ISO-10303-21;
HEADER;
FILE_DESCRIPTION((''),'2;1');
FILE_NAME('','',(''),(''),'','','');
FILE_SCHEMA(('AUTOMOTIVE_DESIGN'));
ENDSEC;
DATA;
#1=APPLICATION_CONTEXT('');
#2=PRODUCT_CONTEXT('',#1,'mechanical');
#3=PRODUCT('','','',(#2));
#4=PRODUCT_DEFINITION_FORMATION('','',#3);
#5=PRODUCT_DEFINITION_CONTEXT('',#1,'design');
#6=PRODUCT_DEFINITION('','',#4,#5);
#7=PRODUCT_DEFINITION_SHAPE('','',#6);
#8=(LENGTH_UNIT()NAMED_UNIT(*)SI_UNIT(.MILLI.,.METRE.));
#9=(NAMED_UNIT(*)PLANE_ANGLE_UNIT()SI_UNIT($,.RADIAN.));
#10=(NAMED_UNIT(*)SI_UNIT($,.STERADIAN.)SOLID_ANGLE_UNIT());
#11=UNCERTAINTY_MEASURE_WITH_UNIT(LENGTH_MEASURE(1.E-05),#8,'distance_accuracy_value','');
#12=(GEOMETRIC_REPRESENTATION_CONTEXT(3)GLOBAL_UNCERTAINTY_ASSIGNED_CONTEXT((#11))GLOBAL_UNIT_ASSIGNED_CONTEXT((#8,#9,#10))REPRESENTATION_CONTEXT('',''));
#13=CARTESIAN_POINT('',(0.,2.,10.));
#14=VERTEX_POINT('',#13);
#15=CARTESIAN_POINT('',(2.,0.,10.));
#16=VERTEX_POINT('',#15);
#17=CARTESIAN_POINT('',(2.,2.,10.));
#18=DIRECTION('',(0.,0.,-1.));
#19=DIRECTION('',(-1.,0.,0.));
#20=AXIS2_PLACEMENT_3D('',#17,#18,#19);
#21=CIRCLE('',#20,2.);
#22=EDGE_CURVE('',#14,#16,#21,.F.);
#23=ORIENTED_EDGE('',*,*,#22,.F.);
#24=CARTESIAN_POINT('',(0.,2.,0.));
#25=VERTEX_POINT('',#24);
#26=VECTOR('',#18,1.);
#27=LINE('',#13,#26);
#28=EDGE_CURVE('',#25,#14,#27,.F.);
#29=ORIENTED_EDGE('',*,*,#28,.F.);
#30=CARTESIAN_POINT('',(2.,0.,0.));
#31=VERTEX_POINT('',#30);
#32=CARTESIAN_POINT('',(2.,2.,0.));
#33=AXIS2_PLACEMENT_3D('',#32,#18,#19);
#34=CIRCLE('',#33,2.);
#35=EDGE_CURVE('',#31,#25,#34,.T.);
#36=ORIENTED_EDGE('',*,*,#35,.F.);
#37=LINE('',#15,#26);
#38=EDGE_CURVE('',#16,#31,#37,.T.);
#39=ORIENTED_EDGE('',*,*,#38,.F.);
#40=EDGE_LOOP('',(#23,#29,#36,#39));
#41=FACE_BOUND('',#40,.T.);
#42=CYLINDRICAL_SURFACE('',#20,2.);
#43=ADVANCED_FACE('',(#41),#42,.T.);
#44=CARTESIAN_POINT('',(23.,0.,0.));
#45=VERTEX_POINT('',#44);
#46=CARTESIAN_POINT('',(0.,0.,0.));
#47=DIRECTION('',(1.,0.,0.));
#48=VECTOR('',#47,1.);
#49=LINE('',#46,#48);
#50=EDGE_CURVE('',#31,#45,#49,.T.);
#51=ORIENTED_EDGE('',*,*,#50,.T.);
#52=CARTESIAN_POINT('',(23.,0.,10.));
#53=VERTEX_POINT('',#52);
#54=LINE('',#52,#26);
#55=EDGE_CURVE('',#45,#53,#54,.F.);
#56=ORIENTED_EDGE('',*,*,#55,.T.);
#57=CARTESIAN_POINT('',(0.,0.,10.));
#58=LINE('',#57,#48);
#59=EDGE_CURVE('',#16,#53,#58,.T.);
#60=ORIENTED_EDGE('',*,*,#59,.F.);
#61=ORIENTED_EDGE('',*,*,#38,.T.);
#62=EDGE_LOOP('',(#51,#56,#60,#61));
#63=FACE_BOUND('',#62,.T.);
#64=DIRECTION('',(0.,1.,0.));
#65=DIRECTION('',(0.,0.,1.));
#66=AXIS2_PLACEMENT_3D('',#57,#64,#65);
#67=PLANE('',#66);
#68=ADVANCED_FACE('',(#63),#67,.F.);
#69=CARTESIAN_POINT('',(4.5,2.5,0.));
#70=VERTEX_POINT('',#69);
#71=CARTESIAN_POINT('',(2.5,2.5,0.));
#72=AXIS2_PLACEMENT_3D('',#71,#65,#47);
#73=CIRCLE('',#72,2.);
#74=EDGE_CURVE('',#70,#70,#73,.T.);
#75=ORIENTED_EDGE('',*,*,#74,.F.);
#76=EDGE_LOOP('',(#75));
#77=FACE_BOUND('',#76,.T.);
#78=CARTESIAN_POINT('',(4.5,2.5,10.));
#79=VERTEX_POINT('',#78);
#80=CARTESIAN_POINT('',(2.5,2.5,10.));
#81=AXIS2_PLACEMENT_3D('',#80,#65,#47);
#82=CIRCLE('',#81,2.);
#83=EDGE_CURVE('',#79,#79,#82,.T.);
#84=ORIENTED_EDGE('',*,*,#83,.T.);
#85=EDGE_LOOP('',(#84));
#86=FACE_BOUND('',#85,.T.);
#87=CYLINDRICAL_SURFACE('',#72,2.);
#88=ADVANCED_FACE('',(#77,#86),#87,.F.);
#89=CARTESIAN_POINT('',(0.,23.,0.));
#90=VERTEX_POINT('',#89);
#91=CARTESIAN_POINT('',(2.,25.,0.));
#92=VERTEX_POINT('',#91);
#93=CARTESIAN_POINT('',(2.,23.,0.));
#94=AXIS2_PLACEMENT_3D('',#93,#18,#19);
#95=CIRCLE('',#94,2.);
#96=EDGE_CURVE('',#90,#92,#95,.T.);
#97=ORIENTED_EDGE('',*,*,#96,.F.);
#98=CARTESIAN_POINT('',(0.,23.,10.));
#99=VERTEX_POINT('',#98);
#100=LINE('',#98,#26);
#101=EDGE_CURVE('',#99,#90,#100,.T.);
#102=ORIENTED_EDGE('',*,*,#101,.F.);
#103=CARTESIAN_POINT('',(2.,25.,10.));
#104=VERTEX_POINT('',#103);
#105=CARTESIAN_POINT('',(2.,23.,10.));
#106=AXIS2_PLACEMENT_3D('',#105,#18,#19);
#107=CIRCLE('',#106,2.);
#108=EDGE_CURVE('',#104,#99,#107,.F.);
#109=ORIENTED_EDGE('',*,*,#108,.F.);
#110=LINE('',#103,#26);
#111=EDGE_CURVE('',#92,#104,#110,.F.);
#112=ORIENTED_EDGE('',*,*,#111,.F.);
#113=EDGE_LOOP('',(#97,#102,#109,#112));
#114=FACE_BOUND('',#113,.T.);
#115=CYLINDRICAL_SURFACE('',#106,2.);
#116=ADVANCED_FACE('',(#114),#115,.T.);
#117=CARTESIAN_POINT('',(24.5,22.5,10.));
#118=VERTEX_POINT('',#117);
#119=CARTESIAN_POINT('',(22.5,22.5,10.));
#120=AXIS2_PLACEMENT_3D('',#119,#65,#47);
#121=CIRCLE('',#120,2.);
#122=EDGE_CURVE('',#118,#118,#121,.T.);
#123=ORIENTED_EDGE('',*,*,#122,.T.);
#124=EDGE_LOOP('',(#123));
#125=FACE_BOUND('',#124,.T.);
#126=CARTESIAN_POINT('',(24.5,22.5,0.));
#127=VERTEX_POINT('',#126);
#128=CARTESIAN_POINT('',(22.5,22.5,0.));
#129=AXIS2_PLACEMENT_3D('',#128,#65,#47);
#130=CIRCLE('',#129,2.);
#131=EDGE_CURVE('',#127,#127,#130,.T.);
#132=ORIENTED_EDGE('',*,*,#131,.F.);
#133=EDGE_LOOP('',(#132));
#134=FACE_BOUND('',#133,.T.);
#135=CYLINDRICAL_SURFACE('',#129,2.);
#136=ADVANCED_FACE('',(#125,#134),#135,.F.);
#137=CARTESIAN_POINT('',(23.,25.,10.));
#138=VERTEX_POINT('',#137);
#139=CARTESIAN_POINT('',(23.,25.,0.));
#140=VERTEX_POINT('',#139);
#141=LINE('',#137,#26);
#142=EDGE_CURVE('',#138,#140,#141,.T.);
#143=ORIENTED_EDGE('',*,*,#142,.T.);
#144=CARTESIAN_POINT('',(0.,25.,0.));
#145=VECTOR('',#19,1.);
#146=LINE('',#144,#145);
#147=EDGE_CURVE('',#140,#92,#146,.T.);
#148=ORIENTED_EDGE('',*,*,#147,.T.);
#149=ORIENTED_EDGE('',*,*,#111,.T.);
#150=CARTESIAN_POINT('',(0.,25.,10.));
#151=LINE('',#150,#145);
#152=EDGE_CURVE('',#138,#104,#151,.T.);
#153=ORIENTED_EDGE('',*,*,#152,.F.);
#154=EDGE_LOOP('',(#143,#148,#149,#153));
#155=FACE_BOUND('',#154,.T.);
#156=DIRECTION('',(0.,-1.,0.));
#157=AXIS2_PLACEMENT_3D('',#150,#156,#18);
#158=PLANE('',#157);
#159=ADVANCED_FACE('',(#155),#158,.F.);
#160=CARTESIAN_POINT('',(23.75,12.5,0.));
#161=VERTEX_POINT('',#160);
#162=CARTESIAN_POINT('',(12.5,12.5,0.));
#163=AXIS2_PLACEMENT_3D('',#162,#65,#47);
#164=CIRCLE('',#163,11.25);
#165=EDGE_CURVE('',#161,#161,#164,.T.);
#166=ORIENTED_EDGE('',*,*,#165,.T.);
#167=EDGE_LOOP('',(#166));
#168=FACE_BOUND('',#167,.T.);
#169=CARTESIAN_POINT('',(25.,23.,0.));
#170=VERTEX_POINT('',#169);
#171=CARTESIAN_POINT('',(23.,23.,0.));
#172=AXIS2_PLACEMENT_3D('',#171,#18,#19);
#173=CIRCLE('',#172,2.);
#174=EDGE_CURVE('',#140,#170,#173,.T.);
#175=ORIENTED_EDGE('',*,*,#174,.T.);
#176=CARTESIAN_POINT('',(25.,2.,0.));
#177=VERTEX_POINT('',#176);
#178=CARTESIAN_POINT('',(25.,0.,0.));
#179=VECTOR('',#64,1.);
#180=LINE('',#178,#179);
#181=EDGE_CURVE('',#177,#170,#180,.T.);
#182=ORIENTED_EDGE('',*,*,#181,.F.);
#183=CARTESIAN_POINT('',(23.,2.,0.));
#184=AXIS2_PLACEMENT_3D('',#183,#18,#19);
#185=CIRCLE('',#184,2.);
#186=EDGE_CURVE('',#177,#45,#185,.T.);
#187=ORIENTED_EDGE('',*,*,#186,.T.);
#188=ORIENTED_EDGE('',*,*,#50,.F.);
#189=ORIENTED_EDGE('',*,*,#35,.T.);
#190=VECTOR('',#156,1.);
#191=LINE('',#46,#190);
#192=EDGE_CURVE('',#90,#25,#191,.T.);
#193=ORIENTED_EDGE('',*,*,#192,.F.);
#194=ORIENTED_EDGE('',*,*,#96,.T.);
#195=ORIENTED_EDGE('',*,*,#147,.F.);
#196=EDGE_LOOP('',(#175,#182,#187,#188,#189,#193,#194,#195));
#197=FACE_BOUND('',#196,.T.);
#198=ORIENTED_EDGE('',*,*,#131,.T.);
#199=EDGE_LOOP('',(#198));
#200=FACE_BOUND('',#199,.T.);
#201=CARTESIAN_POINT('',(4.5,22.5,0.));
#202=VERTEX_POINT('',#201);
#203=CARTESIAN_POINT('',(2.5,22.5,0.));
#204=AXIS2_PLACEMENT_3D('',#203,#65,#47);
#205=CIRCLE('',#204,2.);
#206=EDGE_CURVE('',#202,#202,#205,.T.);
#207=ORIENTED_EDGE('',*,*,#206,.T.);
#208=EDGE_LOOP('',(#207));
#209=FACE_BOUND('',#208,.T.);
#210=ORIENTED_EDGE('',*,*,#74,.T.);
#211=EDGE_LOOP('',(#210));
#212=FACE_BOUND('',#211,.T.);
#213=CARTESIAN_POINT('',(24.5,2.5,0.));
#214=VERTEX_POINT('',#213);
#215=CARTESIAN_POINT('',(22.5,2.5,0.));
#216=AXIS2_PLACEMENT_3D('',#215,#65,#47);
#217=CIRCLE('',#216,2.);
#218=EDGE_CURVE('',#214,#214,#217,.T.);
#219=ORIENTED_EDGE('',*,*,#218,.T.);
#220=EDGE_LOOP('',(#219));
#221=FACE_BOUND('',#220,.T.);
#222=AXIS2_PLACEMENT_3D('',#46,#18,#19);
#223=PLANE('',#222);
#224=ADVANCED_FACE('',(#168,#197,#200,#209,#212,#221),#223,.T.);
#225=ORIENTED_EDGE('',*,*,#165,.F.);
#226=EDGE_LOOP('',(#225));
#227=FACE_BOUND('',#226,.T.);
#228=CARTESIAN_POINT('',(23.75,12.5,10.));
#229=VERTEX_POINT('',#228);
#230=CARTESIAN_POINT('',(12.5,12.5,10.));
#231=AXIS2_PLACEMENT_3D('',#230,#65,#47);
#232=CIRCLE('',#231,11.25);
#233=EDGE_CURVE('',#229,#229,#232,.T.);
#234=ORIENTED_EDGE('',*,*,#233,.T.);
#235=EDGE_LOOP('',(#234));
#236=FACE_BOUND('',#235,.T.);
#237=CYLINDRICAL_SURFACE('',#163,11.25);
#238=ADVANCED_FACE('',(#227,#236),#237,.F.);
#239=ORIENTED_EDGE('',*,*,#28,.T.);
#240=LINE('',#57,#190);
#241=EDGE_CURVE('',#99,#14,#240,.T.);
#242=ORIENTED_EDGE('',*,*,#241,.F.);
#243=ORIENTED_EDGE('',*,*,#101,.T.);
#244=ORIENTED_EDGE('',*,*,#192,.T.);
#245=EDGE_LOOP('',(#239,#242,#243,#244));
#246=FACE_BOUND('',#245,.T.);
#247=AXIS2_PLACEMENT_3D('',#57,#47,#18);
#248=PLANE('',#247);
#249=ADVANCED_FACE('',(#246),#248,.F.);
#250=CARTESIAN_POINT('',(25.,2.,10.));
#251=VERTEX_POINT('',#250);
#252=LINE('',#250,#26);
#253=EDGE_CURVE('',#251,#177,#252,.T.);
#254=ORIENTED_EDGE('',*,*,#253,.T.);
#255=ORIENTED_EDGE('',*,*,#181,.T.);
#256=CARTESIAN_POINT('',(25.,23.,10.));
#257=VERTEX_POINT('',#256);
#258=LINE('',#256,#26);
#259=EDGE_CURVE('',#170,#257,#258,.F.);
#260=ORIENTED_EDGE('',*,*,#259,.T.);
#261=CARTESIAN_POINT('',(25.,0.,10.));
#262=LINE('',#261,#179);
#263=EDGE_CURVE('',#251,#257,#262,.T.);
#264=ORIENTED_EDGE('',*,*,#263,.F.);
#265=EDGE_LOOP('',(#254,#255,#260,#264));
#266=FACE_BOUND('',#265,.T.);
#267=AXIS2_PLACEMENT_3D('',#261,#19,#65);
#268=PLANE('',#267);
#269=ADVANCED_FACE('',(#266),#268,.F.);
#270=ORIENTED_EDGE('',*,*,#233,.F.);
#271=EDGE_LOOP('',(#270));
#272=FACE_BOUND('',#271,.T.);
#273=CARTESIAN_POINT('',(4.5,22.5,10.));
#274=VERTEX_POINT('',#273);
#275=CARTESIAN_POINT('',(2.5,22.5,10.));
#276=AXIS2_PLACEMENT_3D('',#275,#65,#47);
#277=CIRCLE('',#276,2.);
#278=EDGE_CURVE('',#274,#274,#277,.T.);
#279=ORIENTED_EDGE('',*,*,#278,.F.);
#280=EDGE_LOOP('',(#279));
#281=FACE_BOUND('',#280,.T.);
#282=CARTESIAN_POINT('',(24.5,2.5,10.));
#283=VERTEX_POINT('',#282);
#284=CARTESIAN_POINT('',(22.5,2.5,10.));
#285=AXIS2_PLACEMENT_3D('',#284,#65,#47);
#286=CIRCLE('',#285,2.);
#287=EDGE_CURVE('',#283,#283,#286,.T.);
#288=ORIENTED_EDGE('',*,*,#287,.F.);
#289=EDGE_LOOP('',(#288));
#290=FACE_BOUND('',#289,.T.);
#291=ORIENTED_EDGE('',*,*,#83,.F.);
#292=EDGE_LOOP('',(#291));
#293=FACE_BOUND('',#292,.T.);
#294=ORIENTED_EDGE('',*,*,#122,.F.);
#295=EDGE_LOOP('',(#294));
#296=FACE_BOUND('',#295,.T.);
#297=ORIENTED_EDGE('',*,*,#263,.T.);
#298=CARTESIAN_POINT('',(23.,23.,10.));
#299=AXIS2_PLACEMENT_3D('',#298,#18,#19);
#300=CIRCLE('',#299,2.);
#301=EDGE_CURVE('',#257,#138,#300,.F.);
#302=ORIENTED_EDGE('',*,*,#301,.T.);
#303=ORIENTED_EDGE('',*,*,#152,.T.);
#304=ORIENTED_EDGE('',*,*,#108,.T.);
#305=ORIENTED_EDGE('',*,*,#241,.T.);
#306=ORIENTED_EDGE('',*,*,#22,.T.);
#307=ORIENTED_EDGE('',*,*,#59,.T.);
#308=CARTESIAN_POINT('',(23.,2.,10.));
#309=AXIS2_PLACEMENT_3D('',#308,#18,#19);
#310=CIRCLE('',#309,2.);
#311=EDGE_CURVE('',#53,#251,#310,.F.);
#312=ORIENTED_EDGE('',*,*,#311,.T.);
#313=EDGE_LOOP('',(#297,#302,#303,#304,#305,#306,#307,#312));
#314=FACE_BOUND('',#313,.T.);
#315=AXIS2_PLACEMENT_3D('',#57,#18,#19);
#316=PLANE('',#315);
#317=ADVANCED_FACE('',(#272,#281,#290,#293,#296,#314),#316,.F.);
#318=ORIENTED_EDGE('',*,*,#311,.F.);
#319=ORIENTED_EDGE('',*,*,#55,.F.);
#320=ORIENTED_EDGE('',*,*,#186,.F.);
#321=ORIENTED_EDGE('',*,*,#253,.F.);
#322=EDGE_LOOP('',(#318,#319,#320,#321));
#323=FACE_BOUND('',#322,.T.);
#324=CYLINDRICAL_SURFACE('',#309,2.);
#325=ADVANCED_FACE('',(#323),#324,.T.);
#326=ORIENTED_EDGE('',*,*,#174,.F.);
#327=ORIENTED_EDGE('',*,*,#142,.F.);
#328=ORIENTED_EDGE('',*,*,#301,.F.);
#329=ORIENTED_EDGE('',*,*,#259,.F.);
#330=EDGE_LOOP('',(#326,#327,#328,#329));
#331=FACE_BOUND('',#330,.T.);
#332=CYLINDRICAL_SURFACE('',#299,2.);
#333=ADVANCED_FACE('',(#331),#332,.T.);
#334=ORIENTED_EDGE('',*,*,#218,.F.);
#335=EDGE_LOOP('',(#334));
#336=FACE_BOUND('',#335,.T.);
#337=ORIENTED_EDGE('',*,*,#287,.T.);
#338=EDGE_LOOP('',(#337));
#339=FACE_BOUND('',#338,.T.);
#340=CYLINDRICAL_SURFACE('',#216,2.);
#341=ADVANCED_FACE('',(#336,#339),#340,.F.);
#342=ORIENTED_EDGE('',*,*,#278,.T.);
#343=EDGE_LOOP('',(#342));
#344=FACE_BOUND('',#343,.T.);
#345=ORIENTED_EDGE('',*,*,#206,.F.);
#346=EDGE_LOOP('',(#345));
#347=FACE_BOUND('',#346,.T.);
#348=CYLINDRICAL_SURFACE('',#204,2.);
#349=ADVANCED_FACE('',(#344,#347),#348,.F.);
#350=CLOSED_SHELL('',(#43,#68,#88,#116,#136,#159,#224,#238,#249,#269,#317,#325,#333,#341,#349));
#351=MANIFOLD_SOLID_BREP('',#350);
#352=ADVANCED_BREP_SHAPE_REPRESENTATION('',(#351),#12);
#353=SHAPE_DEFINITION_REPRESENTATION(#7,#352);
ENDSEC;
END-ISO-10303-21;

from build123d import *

# Parameters (mm, degrees)
SKETCH1_W           = 25
SKETCH1_H           = 25
BOSS_EXTRUDE1_DEPTH = 10
SKETCH3_R           = 11.25
SKETCH3_R_2         = 2
CUT_EXTRUDE1_DEPTH  = 10
FILLET1_R           = 2


with BuildPart() as part:
    # Sketch1 → Boss-Extrude1 (new body)
    with BuildSketch(Plane.XY):
        with Locations((12.5, 12.5)):
            Rectangle(SKETCH1_W, SKETCH1_H)
    extrude(amount=BOSS_EXTRUDE1_DEPTH)

    # Sketch3 → Cut-Extrude1 (cut)
    with BuildSketch(Plane.XY.offset(10)):
        with Locations((12.5, 12.5)):
            Circle(SKETCH3_R)
        with Locations((2.5, 22.5)):
            Circle(SKETCH3_R_2)
        with Locations((2.5, 2.5)):
            Circle(SKETCH3_R_2)
        with Locations((22.5, 2.5)):
            Circle(SKETCH3_R_2)
        with Locations((22.5, 22.5)):
            Circle(SKETCH3_R_2)
    extrude(amount=-CUT_EXTRUDE1_DEPTH, mode=Mode.SUBTRACT)

    # Fillet1
    fillet1_edges = [part.edges().sort_by_distance(p)[0] for p in [
        (0, 25, 5),
        (25, 25, 5),
        (25, 0, 5),
        (0, 0, 5),
    ]]
    fillet(fillet1_edges, radius=FILLET1_R)


solid = part.part
